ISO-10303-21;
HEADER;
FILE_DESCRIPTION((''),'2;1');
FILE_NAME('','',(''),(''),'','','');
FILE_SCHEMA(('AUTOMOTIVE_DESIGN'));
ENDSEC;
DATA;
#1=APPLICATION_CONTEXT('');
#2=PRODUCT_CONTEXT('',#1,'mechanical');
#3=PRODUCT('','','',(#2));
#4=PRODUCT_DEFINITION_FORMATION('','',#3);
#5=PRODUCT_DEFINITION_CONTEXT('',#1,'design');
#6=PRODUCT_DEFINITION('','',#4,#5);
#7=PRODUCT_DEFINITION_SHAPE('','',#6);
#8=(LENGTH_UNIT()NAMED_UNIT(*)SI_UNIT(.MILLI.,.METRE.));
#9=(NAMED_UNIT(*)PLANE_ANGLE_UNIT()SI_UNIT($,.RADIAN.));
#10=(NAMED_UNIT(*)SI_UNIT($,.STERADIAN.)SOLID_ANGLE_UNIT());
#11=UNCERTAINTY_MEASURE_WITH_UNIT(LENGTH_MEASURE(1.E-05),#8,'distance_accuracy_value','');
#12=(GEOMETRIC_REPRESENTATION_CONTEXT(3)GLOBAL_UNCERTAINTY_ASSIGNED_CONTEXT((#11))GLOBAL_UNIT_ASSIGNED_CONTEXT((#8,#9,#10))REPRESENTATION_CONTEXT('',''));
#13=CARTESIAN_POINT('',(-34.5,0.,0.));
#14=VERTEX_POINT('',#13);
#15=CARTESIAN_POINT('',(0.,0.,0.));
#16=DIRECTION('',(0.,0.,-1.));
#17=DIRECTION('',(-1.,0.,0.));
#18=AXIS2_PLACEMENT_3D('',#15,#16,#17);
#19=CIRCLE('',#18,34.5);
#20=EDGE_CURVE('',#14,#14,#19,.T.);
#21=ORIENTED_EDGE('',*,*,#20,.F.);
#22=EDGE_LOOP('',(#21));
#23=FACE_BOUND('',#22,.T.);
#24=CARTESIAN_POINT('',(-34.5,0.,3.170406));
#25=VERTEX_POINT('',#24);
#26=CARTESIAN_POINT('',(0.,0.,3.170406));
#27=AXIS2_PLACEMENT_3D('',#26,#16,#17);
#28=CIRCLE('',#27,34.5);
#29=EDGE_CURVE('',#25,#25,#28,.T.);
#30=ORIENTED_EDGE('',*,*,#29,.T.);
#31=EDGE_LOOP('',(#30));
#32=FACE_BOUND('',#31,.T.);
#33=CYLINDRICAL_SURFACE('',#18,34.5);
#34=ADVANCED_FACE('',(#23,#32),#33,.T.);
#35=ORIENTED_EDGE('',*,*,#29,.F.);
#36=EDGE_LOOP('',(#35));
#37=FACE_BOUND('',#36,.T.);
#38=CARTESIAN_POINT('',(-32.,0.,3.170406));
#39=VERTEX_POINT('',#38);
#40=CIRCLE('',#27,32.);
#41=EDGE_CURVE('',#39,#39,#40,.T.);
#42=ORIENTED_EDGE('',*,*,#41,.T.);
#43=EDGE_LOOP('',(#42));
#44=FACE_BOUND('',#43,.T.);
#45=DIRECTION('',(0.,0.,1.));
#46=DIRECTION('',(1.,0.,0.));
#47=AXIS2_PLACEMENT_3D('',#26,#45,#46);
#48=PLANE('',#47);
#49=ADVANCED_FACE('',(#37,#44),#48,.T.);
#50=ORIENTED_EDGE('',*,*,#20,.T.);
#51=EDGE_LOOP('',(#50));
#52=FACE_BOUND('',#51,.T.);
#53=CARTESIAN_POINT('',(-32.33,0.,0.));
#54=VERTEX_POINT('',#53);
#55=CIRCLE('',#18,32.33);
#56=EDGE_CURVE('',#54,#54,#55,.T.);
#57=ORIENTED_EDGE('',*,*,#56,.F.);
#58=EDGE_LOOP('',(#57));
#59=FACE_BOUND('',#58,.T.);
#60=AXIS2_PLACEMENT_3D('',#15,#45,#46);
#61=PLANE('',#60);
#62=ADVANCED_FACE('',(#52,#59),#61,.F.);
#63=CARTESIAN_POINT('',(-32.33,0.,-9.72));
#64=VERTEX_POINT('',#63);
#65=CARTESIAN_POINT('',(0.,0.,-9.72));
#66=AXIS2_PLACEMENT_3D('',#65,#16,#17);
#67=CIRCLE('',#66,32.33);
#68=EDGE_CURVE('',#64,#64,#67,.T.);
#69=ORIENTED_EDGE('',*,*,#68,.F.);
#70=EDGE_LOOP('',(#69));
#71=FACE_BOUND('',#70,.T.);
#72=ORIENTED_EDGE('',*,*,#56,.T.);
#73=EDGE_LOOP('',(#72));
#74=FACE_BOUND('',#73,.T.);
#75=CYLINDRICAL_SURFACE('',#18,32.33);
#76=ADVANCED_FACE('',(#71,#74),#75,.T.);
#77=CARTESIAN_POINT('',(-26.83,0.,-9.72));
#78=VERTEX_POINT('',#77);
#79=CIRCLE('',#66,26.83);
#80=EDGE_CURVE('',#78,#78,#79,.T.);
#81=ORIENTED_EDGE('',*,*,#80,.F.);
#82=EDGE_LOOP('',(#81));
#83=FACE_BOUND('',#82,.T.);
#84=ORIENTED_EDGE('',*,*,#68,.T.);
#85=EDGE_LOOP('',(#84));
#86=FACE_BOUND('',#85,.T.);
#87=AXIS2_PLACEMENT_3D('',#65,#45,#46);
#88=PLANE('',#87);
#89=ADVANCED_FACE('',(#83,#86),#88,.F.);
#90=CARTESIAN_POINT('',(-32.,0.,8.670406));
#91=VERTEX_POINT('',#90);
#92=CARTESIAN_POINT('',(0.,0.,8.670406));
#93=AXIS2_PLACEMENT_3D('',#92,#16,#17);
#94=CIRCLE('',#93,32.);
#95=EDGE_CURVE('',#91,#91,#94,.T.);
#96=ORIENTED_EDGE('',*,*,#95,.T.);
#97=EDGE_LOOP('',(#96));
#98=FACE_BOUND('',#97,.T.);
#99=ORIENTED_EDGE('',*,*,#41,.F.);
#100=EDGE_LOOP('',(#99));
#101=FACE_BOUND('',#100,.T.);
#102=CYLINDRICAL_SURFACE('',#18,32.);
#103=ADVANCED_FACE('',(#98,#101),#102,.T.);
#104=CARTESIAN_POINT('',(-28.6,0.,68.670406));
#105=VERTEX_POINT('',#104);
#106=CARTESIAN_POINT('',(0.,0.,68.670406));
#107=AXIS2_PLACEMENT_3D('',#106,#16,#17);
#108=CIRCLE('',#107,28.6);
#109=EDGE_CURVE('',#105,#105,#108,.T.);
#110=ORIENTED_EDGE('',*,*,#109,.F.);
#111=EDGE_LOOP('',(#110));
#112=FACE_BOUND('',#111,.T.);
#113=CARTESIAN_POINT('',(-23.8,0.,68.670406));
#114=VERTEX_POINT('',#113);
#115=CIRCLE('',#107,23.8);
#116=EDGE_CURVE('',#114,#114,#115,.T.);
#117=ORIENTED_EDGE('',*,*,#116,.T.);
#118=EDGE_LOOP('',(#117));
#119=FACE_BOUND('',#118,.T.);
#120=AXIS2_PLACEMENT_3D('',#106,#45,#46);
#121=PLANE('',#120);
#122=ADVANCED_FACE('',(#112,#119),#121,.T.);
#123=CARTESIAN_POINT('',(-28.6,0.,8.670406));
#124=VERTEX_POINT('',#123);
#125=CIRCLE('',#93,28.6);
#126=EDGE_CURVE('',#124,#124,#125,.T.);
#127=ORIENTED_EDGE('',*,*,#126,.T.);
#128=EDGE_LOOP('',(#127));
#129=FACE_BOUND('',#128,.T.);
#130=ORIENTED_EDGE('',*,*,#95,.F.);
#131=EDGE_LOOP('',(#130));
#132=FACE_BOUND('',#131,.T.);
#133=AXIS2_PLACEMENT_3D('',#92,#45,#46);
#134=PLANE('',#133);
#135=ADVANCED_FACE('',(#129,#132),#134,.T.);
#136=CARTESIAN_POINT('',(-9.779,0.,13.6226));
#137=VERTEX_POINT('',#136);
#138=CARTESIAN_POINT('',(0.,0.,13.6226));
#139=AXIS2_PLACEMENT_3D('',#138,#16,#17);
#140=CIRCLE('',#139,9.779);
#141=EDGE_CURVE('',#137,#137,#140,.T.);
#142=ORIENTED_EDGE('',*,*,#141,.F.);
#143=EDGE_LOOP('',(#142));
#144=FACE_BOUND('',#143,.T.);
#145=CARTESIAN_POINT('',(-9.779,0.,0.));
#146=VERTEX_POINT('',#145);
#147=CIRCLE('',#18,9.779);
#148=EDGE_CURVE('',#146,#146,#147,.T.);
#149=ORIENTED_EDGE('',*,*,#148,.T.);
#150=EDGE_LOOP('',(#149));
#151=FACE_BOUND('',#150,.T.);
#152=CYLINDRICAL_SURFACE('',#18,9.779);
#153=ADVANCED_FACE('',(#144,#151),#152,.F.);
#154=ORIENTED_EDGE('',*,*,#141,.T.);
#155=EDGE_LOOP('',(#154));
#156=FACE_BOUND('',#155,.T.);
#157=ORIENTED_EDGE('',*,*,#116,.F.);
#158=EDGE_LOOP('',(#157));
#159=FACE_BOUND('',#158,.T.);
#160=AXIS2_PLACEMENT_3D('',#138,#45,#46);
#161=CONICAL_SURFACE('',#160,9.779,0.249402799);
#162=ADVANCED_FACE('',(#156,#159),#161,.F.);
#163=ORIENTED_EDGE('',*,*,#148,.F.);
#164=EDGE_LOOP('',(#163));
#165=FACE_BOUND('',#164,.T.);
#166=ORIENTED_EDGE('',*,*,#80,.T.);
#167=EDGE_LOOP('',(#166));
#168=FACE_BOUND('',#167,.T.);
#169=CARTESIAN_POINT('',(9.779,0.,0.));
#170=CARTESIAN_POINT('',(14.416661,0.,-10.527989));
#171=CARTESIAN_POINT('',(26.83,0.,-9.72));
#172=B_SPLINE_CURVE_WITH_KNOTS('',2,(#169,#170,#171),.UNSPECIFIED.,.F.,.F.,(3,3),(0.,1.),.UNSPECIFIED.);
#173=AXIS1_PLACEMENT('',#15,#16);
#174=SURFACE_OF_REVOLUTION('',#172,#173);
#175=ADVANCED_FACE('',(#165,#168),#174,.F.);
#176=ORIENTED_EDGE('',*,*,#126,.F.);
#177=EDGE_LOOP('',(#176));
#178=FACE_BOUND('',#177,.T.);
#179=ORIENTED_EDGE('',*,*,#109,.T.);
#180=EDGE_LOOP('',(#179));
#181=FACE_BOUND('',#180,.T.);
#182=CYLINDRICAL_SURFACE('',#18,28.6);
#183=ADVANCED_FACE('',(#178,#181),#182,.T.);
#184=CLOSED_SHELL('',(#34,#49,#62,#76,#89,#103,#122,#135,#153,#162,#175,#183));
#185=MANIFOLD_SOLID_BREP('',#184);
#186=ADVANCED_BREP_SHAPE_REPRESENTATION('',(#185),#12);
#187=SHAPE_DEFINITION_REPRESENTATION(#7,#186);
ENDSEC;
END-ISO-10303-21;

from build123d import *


with BuildPart() as part:
    # Sketch1 → Revolve4 (revolve)
    with BuildSketch(Plane(origin=(0, 0, 0), x_dir=(1, 0, 0), z_dir=(0, 1, 0)), mode=Mode.PRIVATE) as revolve4_sk:
        with BuildLine():
            add(Edge.make_bspline(
                [(9.779, 0), (14.416661489, 10.52798938), (26.83, 9.72)],
                knots=[0, 0, 0, 1, 1, 1], degree=2))
            Line((26.83, 9.72), (32.33, 9.72))
            Line((32.33, 9.72), (32.33, 0))
            Line((32.33, 0), (34.5, 0))
            Line((34.5, 0), (34.5, -3.170406434))
            Line((34.5, -3.170406434), (32, -3.170406434))
            Line((32, -3.170406434), (32, -8.670406434))
            Line((32, -8.670406434), (28.6, -8.670406434))
            Line((28.6, -8.670406434), (28.6, -68.670406434))
            Line((28.6, -68.670406434), (23.8, -68.670406434))
            Line((23.8, -68.670406434), (9.779, -13.6226))
            Line((9.779, -13.6226), (9.779, -8.8474))
            Line((9.779, -8.8474), (9.779, 0))
        make_face()
    revolve(revolve4_sk.sketch.rotate(Axis((0, 0, 0), (0, 0, 1)), 180), axis=Axis((0, 0, 0), (0, 0, 1)))


solid = part.part
